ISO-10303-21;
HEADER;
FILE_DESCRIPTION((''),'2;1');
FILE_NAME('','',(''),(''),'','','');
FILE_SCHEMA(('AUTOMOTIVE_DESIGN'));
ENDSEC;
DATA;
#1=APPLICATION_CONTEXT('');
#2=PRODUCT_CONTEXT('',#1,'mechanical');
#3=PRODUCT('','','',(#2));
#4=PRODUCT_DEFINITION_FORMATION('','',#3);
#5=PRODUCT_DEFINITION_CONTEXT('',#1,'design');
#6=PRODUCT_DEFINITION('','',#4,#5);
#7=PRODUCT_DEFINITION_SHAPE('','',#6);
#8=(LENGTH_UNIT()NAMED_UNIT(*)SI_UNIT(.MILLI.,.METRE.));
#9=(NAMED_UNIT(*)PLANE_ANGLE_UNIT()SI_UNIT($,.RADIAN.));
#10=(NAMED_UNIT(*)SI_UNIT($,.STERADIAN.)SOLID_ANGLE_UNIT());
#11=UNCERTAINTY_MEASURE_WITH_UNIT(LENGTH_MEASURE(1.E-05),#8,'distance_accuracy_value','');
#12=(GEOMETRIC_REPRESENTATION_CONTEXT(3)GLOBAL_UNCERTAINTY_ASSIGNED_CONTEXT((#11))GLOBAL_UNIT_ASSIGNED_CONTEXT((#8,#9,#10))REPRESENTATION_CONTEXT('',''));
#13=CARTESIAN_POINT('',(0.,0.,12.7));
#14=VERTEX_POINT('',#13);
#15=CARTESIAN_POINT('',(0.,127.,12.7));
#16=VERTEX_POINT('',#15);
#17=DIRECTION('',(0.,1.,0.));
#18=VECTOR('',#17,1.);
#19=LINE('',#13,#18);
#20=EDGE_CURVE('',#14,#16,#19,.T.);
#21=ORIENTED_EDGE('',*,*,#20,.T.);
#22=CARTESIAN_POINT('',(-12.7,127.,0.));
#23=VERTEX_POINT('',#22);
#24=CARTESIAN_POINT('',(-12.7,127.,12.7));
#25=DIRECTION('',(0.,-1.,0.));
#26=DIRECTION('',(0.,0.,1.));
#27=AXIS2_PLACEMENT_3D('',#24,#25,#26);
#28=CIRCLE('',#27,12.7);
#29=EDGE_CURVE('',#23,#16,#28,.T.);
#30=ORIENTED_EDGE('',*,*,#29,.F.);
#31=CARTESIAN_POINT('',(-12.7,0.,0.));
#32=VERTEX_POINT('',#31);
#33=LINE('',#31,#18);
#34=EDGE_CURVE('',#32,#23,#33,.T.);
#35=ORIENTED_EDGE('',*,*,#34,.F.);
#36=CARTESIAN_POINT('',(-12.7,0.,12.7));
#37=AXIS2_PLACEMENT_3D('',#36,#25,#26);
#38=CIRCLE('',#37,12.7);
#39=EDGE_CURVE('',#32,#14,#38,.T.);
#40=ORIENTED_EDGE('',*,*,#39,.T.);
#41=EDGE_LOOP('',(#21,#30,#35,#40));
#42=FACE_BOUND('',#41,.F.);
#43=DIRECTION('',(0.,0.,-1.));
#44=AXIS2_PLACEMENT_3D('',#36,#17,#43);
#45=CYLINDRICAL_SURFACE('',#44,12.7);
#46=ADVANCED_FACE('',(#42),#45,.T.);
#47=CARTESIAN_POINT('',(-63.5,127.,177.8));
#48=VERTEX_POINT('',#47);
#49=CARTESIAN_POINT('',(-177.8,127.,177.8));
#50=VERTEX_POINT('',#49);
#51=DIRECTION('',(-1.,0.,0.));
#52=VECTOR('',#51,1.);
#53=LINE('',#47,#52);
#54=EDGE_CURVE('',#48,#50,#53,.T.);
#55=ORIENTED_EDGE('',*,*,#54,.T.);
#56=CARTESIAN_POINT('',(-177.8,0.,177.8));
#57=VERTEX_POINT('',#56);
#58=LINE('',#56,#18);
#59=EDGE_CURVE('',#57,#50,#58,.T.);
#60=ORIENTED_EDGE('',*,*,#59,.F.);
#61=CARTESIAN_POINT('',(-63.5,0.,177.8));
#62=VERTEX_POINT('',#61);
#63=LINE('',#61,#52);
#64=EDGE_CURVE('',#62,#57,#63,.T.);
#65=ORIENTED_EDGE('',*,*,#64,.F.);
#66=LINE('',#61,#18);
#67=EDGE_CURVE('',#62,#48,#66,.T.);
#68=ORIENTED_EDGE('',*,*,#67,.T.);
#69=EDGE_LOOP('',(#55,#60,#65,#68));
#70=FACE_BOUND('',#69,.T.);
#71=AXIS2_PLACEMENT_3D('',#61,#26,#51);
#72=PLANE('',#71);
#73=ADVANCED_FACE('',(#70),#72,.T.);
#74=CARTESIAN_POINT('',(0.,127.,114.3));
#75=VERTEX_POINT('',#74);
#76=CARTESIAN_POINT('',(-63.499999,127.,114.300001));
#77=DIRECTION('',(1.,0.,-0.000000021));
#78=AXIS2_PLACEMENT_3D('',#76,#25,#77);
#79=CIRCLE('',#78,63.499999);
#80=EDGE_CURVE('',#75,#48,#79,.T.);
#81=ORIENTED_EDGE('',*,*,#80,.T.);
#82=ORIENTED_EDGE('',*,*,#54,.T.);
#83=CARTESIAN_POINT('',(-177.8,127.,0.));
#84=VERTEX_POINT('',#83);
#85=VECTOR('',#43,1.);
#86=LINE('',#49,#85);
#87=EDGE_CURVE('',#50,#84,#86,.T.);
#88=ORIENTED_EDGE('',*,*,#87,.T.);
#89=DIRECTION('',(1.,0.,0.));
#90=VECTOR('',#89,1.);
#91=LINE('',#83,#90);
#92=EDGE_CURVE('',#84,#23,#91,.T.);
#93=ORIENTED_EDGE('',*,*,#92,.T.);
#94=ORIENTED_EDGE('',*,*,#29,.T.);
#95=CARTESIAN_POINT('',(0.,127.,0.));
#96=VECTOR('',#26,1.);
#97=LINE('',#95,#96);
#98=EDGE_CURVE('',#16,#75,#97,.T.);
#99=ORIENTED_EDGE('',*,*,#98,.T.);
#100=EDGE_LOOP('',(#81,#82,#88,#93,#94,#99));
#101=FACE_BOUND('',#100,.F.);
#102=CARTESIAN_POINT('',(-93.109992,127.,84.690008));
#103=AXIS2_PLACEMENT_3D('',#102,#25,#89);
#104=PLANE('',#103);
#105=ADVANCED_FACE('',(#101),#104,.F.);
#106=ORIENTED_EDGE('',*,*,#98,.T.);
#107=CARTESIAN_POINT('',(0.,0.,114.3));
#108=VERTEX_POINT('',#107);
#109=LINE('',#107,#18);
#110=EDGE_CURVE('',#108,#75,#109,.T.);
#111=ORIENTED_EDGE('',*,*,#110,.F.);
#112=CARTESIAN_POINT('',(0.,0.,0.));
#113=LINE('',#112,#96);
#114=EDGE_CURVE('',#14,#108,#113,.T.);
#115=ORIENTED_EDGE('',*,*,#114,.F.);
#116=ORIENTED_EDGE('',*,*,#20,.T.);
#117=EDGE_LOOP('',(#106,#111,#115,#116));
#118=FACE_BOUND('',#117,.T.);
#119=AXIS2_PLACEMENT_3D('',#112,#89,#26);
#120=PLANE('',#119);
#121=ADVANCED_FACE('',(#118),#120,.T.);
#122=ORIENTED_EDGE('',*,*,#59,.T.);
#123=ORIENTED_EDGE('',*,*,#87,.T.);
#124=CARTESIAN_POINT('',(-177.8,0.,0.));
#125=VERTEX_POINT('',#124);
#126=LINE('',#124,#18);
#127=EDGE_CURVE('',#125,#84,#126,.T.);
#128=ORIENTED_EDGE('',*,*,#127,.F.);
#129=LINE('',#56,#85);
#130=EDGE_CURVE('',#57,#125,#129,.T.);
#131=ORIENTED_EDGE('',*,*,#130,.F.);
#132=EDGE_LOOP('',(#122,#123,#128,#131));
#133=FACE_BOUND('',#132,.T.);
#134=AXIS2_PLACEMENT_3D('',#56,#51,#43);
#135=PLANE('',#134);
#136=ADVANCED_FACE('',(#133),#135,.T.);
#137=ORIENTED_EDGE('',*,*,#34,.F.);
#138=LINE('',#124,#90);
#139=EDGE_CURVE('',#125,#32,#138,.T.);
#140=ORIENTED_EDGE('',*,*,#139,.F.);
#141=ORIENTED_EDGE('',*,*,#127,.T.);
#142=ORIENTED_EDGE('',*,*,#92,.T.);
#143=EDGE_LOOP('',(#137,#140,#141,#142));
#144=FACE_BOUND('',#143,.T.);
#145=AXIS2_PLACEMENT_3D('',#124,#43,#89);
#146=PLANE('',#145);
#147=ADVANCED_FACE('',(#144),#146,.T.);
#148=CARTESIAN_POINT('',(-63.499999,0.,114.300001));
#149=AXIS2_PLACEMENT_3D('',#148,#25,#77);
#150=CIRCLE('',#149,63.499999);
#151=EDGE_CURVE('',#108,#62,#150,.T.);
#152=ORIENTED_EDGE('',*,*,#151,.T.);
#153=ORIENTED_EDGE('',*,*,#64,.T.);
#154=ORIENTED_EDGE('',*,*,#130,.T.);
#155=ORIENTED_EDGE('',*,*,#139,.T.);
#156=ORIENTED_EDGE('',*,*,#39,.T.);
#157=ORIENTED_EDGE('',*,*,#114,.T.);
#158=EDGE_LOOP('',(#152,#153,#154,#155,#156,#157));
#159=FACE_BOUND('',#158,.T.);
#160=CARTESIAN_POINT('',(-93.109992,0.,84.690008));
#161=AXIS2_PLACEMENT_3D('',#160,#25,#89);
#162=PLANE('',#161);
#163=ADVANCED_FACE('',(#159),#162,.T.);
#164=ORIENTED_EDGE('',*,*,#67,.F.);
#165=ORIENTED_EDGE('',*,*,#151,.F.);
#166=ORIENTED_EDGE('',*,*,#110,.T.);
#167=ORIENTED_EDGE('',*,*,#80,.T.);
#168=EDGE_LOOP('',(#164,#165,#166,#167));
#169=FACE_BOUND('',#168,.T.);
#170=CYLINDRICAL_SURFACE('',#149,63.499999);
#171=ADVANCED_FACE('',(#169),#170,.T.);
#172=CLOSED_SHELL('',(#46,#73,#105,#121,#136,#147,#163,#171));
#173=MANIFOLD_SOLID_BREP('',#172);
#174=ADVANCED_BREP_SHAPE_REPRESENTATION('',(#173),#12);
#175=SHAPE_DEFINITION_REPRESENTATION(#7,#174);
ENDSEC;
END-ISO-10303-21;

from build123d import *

# Parameters (mm, degrees)
F1_DEPTH = 127
F2_R     = 12.7


with BuildPart() as f1:
    # F0 (on Front) → F1 (new body)
    with BuildSketch(Plane.XZ):
        with BuildLine():
            Line((-63.5, 177.8), (-177.8, 177.8))
            Line((-177.8, 177.8), (-177.8, 0))
            Line((-177.8, 0), (0, 0))
            Line((0, 0), (0, 114.3))
            ThreePointArc((0, 114.3), (-18.598719, 159.201281), (-63.5, 177.8))
        make_face()
    extrude(amount=-F1_DEPTH)

    # F2
    f2_edges = [f1.edges().sort_by_distance(p)[0] for p in [
        (0, 63.5, 0),
    ]]
    fillet(f2_edges, radius=F2_R)


solid = f1.part
